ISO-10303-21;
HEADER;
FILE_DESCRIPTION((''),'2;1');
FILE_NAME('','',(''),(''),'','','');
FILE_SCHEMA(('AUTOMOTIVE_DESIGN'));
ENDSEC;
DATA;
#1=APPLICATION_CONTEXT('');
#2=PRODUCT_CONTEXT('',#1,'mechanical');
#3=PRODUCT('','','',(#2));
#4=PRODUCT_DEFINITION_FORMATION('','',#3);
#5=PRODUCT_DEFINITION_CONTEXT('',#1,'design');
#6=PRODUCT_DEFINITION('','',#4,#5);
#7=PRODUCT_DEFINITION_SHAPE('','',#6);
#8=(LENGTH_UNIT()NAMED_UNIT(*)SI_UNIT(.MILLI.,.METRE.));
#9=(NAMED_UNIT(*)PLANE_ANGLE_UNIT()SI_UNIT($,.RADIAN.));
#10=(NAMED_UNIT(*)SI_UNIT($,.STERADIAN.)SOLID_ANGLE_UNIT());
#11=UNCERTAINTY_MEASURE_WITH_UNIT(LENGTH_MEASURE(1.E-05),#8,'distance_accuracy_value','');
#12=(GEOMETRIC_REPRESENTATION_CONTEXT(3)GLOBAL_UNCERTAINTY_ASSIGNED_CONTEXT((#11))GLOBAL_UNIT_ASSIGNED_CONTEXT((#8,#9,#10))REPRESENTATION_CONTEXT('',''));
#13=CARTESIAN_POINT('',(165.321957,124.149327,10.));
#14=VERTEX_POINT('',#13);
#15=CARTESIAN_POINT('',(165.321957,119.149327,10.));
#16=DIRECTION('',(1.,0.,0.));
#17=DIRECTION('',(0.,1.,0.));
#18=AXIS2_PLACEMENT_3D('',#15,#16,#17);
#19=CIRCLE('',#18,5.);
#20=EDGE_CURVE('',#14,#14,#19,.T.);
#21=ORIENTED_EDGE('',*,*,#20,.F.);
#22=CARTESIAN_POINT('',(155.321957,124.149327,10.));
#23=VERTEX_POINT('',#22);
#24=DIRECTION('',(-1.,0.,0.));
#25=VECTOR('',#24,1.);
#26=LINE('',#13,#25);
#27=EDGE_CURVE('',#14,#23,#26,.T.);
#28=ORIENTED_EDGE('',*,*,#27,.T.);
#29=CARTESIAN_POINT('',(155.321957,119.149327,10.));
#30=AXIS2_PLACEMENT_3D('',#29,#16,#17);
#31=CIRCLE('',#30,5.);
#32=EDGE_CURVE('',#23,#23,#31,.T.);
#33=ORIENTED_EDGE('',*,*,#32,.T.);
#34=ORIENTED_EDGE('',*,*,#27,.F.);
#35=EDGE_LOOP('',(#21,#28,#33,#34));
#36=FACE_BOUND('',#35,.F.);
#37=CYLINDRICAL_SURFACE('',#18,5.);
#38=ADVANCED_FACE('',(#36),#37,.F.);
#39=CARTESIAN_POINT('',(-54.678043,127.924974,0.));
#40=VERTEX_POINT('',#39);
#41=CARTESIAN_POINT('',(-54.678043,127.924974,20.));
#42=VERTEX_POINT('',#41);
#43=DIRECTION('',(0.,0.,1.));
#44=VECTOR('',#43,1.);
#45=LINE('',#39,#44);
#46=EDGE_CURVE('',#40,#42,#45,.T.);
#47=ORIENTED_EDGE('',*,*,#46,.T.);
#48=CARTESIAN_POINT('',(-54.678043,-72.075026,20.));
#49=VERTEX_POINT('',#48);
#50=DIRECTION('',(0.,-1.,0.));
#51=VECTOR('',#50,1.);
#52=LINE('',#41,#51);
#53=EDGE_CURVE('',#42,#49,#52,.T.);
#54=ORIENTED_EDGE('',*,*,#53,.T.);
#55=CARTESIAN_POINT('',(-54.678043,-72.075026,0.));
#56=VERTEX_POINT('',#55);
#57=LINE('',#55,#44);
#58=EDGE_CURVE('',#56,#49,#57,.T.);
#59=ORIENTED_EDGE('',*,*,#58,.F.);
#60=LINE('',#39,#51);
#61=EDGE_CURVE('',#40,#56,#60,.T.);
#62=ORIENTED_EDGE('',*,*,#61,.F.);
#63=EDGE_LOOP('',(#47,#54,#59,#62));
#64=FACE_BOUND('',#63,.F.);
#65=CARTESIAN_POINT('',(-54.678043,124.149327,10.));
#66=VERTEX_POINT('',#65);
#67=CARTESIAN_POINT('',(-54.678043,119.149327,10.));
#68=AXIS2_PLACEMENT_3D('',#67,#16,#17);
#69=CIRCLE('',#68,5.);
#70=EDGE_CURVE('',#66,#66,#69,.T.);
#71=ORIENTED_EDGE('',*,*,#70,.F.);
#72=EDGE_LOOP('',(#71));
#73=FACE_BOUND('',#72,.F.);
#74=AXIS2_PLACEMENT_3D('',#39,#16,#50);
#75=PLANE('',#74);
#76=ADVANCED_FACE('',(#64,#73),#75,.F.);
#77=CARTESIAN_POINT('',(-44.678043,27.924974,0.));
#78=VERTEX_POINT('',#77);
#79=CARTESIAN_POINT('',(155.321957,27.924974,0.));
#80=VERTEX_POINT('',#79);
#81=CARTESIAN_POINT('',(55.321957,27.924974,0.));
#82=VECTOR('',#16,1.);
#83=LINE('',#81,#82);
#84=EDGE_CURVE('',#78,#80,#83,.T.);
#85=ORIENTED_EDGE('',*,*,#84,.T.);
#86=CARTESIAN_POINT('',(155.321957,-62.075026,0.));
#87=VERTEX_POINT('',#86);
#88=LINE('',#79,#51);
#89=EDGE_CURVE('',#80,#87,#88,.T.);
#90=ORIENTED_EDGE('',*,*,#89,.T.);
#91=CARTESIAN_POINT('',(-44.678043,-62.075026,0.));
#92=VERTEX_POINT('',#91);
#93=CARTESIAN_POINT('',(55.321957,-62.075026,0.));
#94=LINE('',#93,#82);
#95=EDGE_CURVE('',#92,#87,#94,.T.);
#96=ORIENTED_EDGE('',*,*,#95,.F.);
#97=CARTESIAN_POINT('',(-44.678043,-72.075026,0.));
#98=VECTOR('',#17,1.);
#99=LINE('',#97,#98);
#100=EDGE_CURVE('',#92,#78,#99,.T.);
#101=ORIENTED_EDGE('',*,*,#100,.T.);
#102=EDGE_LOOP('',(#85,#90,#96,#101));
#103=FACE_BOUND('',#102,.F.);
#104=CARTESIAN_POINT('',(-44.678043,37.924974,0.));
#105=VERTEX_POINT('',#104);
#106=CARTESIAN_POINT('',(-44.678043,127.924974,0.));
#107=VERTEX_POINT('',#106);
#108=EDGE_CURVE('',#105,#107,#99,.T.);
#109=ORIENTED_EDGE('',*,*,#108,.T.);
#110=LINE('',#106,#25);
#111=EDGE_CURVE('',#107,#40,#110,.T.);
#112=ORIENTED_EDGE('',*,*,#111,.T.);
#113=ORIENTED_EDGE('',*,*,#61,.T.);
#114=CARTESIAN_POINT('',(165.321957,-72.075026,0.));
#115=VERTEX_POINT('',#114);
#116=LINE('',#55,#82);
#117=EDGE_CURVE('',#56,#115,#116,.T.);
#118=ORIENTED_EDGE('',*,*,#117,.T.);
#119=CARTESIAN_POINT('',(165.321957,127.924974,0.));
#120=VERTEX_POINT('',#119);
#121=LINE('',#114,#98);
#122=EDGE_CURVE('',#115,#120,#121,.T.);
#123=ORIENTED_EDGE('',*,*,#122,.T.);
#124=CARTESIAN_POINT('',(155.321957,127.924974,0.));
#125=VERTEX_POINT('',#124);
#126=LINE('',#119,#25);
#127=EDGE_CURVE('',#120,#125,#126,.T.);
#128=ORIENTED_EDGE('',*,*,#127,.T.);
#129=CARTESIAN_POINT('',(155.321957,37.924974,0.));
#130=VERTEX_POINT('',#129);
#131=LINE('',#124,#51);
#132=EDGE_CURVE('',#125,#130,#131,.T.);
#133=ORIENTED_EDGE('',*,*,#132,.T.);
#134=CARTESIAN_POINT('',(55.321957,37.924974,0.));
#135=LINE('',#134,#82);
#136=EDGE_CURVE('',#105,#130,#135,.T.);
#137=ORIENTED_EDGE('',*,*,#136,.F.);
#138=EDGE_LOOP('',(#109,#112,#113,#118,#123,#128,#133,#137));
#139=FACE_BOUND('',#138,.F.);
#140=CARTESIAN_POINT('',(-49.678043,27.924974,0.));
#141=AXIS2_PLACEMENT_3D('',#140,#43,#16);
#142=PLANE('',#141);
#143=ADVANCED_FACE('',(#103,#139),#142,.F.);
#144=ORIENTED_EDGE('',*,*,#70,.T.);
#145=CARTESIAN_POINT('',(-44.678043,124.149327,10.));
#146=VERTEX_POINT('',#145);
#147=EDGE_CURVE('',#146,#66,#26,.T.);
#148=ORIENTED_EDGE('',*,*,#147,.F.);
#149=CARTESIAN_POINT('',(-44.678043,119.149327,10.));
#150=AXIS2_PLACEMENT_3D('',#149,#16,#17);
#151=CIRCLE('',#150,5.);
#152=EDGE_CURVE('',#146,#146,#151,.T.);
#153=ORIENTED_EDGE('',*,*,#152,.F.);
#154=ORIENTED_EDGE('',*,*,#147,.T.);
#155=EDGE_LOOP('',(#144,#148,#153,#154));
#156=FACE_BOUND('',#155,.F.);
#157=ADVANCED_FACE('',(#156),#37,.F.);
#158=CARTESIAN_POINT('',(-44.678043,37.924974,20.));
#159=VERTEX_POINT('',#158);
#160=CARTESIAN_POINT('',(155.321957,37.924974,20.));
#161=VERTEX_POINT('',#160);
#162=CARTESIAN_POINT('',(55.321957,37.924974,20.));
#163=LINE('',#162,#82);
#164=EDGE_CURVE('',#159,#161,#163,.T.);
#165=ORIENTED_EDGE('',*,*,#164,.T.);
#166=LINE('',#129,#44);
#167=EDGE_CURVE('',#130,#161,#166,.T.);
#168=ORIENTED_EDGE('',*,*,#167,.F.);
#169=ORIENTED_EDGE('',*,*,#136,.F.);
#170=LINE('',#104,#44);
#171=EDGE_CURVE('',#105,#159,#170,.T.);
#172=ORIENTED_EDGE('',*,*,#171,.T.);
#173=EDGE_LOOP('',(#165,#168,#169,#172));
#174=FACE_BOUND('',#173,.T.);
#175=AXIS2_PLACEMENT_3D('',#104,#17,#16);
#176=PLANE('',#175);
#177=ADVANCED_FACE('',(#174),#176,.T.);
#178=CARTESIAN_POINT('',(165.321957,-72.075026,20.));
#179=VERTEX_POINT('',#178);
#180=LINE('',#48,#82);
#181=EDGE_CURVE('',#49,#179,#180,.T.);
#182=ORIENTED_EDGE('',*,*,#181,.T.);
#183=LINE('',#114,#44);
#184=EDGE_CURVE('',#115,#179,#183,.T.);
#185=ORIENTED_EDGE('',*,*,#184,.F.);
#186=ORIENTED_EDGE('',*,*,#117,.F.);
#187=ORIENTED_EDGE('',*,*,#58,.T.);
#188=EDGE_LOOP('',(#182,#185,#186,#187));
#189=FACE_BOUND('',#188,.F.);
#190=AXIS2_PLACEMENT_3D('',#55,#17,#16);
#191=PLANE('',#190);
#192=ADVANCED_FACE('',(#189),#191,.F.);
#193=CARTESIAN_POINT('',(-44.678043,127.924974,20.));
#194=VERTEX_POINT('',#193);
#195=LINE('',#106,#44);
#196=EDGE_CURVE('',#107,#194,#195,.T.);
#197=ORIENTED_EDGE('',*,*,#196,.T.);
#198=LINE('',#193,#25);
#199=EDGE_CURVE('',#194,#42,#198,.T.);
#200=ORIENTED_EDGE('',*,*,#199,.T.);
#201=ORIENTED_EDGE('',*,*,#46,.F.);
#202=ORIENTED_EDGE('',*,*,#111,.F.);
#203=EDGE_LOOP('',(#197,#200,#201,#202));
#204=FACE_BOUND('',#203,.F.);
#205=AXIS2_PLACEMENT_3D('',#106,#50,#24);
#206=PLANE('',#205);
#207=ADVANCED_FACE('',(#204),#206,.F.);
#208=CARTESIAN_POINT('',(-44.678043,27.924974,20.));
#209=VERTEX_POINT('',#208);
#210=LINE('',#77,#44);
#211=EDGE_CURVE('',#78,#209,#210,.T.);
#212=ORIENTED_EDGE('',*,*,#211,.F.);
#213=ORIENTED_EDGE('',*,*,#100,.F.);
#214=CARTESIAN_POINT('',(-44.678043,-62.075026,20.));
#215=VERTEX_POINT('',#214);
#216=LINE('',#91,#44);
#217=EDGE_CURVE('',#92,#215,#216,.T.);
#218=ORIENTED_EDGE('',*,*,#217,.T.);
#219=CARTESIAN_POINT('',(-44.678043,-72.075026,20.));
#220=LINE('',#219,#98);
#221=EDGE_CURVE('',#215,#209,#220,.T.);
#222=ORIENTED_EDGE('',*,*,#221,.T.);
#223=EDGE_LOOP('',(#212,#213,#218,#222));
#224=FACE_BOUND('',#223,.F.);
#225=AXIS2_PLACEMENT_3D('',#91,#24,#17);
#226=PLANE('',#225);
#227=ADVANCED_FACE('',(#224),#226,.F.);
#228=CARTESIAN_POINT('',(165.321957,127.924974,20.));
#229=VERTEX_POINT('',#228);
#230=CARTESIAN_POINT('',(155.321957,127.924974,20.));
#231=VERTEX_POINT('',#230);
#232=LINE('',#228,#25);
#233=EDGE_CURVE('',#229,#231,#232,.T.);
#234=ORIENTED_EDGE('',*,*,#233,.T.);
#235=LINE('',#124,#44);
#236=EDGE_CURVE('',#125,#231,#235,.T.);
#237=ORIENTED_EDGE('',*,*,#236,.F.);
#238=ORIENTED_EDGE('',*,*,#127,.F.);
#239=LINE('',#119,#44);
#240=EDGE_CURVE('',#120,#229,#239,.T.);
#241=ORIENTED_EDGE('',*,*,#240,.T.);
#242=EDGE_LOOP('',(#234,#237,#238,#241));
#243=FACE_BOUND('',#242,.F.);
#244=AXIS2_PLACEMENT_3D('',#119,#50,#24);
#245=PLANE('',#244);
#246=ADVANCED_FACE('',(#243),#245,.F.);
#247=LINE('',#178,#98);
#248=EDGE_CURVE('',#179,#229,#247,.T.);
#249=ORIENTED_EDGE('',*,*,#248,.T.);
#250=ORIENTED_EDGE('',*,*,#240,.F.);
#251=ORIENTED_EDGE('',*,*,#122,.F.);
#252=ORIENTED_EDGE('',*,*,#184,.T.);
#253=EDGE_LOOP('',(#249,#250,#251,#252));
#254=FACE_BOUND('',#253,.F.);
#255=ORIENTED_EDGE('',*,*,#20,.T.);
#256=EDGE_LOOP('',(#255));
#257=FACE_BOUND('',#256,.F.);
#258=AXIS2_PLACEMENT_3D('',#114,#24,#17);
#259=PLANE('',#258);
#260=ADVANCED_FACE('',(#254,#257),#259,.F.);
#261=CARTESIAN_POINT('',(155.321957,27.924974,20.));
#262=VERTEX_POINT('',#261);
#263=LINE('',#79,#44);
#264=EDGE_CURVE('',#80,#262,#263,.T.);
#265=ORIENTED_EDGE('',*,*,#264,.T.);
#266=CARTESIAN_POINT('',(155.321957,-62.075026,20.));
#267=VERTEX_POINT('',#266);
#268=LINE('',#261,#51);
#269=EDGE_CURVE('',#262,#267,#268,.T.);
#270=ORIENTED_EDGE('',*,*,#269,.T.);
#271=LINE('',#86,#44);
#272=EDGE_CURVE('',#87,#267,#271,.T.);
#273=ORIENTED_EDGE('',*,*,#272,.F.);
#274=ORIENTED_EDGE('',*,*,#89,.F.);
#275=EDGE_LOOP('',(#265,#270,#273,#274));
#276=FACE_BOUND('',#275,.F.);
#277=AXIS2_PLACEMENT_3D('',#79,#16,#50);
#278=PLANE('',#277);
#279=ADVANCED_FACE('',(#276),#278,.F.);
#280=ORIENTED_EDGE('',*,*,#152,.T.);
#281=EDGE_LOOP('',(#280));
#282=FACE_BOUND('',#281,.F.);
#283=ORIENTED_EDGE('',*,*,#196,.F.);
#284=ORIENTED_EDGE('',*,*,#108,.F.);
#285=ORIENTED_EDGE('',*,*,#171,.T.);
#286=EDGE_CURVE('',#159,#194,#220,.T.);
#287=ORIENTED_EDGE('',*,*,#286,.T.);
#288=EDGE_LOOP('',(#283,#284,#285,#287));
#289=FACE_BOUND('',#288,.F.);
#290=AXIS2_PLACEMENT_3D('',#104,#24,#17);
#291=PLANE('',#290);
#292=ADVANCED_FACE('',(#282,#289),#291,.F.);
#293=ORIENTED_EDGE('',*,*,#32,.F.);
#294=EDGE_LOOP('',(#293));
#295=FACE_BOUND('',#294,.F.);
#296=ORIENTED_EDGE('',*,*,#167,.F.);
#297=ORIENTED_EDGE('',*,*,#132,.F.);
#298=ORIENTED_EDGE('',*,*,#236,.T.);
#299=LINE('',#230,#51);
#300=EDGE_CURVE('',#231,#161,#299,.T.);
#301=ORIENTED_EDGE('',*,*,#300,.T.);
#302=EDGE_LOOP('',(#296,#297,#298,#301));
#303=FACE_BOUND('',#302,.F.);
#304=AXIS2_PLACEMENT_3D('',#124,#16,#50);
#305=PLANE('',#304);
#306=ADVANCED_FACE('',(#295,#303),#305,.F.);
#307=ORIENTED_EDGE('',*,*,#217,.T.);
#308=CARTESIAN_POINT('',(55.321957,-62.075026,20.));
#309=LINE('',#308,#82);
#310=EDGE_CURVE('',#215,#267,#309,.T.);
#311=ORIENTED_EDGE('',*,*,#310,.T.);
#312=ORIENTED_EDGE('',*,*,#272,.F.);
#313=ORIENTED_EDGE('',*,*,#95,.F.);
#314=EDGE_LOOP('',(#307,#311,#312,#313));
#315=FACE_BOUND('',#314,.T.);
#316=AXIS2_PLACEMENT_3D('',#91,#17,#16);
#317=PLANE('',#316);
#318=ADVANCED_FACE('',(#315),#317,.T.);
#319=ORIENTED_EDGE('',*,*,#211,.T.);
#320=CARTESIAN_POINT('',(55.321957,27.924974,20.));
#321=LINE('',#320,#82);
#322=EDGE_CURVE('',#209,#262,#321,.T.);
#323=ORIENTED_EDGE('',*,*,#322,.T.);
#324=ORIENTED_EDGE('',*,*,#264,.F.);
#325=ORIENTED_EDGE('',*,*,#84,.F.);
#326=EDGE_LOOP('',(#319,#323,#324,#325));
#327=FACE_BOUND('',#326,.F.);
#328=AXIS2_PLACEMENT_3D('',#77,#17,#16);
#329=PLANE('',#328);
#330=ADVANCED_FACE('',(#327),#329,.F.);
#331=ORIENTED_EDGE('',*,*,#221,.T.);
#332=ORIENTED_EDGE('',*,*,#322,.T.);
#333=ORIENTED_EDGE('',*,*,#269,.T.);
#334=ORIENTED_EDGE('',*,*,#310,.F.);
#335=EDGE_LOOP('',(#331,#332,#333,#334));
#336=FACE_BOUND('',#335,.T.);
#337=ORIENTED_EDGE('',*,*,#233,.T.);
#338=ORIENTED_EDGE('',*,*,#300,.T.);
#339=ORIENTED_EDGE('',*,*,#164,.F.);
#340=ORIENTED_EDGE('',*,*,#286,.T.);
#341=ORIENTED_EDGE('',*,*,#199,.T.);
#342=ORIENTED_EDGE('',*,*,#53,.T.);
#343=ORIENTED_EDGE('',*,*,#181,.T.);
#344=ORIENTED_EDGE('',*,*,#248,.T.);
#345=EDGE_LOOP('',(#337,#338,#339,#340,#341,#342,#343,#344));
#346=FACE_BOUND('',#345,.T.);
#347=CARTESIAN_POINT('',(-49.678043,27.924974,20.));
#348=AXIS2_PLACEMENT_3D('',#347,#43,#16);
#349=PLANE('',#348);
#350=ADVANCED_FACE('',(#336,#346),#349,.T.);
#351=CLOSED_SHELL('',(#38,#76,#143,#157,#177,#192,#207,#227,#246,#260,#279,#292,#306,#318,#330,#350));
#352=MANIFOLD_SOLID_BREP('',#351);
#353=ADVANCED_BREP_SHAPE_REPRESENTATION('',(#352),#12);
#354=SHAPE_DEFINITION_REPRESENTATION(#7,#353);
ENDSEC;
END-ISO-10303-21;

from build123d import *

# Parameters (mm, degrees)
F0_W     = 200
F0_H     = 10
F1_DEPTH = 20
F2_R     = 5
F3_DEPTH = 563


with BuildPart() as f1:
    # F0 (on Top) → F1 (new body)
    with BuildSketch(Plane.XY):
        Polygon((-44.678043, 37.924974), (-44.678043, 127.924974), (-54.678043, 127.924974), (-54.678043, -72.075026), (-44.678043, -72.075026), (-44.678043, -62.075026), (-44.678043, 27.924974), align=None)
        with Locations((55.321957, 32.924974)):
            Rectangle(F0_W, F0_H)
        Polygon((155.321957, 127.924974), (155.321957, 37.924974), (155.321957, 27.924974), (155.321957, -62.075026), (155.321957, -72.075026), (165.321957, -72.075026), (165.321957, 127.924974), align=None)
        with Locations((55.321957, -67.075026)):
            Rectangle(F0_W, F0_H)
    extrude(amount=F1_DEPTH)

    # F2 (on face) → F3 (cut)
    with BuildSketch(Plane.YZ.offset(165.321957)):
        with Locations((119.149327, 10)):
            Circle(F2_R)
    extrude(amount=-F3_DEPTH, mode=Mode.SUBTRACT)


solid = f1.part
